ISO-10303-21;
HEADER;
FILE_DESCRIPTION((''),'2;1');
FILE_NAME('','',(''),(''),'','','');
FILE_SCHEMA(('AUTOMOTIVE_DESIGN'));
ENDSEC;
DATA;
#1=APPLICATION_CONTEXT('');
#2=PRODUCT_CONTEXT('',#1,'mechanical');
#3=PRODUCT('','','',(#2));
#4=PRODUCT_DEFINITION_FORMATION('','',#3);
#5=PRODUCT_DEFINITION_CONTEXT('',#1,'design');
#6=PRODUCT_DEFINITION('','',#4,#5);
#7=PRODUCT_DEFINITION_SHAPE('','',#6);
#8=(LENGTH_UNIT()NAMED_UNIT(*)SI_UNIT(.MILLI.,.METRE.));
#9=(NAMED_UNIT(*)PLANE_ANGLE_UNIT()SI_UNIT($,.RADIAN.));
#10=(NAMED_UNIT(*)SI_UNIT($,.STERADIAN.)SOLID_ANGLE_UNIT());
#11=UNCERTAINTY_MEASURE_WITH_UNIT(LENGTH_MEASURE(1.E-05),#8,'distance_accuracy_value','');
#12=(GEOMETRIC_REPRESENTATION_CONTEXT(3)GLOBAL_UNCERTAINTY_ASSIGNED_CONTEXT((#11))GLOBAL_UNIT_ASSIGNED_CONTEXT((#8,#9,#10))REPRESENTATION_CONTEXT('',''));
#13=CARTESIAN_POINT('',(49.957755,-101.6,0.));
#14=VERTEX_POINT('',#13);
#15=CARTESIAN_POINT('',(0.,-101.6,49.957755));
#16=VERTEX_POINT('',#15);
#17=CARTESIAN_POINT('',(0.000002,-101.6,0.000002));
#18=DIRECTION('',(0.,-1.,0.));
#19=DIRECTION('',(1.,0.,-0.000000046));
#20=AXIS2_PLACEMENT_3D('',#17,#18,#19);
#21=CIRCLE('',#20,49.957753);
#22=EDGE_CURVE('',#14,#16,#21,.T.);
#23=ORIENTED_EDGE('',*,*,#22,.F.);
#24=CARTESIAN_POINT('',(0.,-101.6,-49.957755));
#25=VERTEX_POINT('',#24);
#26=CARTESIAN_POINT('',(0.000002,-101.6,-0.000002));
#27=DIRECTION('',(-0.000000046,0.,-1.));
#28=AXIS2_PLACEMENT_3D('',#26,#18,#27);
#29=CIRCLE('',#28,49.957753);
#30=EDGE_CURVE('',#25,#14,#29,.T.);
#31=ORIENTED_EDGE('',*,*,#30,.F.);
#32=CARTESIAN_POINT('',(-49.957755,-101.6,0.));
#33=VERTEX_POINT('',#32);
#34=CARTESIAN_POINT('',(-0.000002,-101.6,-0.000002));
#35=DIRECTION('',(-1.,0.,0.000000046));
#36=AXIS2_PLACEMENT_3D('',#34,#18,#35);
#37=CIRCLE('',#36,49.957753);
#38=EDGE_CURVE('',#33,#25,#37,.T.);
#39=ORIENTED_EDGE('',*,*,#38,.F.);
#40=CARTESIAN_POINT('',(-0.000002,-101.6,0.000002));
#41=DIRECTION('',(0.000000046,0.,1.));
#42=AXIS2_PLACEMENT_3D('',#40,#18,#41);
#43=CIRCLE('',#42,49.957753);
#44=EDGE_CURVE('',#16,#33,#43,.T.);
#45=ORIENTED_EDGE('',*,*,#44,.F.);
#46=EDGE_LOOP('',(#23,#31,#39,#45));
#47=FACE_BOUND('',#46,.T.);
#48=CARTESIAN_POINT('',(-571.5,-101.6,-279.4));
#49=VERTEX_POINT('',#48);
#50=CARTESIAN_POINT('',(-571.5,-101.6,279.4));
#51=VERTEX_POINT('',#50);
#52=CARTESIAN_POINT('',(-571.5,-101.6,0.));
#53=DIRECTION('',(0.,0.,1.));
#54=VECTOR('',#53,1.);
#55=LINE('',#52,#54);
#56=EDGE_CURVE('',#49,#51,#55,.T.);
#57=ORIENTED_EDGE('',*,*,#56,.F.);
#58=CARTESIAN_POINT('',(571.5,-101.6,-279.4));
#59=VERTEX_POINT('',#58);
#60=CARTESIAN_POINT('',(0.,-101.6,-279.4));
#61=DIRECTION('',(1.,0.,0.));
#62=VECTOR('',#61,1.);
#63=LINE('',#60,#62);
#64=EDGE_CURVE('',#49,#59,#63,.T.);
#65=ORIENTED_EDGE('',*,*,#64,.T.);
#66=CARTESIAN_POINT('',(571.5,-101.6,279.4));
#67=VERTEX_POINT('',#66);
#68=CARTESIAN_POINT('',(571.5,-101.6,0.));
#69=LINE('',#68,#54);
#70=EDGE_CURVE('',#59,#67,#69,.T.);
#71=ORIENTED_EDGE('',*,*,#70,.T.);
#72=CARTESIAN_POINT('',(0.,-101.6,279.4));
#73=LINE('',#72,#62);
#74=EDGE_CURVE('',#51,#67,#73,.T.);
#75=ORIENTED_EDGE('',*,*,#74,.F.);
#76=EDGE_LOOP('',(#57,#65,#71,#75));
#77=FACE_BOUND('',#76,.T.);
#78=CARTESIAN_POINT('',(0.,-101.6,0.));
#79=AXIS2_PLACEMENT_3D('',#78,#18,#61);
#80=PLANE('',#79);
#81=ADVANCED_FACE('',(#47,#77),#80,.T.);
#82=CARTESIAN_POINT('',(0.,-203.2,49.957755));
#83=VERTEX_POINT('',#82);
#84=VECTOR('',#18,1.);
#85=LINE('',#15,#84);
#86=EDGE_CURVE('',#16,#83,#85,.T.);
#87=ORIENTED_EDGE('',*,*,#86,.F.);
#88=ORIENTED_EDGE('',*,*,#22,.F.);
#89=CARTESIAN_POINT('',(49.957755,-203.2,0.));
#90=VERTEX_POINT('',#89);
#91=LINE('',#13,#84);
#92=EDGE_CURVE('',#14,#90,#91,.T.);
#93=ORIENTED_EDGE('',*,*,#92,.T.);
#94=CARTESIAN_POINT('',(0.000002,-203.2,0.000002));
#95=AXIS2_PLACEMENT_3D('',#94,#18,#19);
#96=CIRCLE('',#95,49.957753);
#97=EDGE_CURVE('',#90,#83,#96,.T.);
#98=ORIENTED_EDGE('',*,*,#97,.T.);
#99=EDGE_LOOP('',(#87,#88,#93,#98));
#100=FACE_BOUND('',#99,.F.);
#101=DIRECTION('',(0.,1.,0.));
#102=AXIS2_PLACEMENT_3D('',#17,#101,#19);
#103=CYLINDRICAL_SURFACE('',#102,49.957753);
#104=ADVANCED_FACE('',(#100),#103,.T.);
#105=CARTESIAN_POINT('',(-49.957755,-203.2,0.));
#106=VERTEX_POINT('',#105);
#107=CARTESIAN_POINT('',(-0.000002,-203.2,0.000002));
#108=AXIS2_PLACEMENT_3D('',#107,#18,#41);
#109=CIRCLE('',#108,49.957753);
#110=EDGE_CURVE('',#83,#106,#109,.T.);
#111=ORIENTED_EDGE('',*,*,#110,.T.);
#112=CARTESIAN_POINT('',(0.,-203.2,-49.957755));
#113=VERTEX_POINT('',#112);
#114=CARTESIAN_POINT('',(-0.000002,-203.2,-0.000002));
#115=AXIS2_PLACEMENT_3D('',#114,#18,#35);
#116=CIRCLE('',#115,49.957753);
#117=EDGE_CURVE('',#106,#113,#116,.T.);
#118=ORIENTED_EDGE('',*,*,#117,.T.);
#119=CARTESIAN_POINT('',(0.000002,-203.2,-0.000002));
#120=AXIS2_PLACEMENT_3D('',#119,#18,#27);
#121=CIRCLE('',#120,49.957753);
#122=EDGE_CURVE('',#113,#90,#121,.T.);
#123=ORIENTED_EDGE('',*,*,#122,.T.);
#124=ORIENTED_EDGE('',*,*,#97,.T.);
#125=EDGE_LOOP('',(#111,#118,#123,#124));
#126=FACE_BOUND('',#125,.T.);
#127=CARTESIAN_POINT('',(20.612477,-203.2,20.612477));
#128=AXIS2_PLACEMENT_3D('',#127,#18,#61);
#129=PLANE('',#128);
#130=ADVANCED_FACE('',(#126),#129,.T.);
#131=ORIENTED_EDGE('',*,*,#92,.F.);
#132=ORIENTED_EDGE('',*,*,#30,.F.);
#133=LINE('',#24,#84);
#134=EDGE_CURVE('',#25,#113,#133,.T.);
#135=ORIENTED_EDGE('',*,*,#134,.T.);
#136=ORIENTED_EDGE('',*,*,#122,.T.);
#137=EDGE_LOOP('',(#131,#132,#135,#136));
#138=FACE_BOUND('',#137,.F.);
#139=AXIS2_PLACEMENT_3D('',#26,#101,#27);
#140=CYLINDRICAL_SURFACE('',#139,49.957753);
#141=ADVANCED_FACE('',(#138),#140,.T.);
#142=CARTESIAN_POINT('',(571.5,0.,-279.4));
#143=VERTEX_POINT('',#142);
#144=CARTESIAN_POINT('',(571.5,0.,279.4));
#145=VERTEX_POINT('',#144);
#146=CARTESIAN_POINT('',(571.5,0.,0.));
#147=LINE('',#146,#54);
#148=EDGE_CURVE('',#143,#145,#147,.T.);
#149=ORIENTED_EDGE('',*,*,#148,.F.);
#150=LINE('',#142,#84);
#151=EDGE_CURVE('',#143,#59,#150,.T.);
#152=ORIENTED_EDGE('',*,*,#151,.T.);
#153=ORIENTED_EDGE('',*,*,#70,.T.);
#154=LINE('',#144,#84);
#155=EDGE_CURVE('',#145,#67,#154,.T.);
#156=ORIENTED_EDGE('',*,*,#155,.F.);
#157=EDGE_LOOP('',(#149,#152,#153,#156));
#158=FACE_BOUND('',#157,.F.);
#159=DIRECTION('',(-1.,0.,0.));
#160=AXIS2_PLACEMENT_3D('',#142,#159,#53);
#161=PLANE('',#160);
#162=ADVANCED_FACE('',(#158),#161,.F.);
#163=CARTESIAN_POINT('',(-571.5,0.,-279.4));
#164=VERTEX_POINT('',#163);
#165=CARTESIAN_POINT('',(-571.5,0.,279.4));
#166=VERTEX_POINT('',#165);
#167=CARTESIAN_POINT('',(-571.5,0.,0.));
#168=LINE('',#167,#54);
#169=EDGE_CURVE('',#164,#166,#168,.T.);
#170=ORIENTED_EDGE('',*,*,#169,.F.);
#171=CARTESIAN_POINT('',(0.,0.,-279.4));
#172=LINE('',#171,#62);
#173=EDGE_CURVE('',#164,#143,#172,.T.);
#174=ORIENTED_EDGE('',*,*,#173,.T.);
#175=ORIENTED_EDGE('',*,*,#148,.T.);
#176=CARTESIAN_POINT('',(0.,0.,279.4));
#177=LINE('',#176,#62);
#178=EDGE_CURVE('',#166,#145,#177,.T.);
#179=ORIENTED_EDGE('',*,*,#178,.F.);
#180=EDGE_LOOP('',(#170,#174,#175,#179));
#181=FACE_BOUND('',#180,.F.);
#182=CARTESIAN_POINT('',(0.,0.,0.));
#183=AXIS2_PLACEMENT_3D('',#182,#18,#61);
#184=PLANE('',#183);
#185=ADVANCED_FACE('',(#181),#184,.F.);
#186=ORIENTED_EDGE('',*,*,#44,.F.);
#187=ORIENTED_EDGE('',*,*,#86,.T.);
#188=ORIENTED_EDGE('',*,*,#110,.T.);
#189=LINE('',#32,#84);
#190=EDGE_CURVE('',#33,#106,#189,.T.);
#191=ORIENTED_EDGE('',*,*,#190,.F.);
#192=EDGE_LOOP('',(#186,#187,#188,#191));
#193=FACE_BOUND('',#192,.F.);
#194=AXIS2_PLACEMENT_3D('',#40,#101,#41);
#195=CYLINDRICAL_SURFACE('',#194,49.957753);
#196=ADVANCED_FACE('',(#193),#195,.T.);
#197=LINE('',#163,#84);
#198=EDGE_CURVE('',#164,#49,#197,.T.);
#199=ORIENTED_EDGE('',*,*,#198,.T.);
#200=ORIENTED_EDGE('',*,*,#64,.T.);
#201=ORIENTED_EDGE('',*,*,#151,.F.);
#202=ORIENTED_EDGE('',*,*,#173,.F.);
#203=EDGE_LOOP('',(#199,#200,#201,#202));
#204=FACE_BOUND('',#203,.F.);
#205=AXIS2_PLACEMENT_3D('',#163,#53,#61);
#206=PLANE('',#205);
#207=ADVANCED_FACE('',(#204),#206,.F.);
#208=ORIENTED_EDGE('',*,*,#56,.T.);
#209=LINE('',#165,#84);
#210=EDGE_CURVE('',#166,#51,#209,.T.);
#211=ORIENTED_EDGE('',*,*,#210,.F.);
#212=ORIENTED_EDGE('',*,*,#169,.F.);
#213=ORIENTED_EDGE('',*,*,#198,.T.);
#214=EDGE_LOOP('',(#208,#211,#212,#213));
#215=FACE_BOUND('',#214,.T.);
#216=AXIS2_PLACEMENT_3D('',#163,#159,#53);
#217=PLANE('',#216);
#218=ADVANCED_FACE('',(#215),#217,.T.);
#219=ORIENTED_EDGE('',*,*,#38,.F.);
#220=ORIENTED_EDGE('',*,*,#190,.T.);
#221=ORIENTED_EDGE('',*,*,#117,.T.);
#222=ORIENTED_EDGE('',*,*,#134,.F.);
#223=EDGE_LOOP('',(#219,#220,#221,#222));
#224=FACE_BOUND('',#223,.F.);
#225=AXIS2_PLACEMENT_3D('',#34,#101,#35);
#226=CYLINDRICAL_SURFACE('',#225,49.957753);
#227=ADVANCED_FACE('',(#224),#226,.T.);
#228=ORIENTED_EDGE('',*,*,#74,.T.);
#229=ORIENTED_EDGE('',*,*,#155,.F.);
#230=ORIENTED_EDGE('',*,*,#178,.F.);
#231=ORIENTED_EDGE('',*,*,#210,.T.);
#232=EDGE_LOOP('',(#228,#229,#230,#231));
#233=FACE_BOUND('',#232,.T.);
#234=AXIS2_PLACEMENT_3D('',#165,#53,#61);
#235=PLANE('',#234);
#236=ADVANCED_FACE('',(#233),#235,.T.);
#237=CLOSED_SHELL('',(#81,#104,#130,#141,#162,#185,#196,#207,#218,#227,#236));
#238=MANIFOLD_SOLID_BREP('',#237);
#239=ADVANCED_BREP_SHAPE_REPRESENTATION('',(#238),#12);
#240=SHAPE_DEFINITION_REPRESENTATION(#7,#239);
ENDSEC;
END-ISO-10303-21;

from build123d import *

# Parameters (mm, degrees)
F0_W     = 1143
F0_H     = 558.8
F1_DEPTH = 101.6
F3_DEPTH = 101.6


with BuildPart() as f1:
    # F0 (on Front) → F1 (new body)
    with BuildSketch(Plane.XZ):
        Rectangle(F0_W, F0_H)
    extrude(amount=F1_DEPTH)

    # F2 (on face) → F3 (join)
    with BuildSketch(Plane.XZ.offset(101.6)):
        with BuildLine():
            Line((0, 0), (49.957755, 0))
            ThreePointArc((49.957755, 0), (35.325468, 35.325468), (0, 49.957755))
            Line((0, 49.957755), (0, 0))
        make_face()
        with BuildLine():
            ThreePointArc((0, -49.957755), (35.325468, -35.325468), (49.957755, 0))
            Line((49.957755, 0), (0, 0))
            Line((0, 0), (0, -49.957755))
        make_face()
        with BuildLine():
            Line((0, 0), (0, 49.957755))
            ThreePointArc((0, 49.957755), (-35.325468, 35.325468), (-49.957755, 0))
            Line((-49.957755, 0), (0, 0))
        make_face()
        with BuildLine():
            ThreePointArc((-49.957755, 0), (-35.325468, -35.325468), (0, -49.957755))
            Line((0, -49.957755), (0, 0))
            Line((0, 0), (-49.957755, 0))
        make_face()
    extrude(amount=F3_DEPTH)


solid = f1.part
